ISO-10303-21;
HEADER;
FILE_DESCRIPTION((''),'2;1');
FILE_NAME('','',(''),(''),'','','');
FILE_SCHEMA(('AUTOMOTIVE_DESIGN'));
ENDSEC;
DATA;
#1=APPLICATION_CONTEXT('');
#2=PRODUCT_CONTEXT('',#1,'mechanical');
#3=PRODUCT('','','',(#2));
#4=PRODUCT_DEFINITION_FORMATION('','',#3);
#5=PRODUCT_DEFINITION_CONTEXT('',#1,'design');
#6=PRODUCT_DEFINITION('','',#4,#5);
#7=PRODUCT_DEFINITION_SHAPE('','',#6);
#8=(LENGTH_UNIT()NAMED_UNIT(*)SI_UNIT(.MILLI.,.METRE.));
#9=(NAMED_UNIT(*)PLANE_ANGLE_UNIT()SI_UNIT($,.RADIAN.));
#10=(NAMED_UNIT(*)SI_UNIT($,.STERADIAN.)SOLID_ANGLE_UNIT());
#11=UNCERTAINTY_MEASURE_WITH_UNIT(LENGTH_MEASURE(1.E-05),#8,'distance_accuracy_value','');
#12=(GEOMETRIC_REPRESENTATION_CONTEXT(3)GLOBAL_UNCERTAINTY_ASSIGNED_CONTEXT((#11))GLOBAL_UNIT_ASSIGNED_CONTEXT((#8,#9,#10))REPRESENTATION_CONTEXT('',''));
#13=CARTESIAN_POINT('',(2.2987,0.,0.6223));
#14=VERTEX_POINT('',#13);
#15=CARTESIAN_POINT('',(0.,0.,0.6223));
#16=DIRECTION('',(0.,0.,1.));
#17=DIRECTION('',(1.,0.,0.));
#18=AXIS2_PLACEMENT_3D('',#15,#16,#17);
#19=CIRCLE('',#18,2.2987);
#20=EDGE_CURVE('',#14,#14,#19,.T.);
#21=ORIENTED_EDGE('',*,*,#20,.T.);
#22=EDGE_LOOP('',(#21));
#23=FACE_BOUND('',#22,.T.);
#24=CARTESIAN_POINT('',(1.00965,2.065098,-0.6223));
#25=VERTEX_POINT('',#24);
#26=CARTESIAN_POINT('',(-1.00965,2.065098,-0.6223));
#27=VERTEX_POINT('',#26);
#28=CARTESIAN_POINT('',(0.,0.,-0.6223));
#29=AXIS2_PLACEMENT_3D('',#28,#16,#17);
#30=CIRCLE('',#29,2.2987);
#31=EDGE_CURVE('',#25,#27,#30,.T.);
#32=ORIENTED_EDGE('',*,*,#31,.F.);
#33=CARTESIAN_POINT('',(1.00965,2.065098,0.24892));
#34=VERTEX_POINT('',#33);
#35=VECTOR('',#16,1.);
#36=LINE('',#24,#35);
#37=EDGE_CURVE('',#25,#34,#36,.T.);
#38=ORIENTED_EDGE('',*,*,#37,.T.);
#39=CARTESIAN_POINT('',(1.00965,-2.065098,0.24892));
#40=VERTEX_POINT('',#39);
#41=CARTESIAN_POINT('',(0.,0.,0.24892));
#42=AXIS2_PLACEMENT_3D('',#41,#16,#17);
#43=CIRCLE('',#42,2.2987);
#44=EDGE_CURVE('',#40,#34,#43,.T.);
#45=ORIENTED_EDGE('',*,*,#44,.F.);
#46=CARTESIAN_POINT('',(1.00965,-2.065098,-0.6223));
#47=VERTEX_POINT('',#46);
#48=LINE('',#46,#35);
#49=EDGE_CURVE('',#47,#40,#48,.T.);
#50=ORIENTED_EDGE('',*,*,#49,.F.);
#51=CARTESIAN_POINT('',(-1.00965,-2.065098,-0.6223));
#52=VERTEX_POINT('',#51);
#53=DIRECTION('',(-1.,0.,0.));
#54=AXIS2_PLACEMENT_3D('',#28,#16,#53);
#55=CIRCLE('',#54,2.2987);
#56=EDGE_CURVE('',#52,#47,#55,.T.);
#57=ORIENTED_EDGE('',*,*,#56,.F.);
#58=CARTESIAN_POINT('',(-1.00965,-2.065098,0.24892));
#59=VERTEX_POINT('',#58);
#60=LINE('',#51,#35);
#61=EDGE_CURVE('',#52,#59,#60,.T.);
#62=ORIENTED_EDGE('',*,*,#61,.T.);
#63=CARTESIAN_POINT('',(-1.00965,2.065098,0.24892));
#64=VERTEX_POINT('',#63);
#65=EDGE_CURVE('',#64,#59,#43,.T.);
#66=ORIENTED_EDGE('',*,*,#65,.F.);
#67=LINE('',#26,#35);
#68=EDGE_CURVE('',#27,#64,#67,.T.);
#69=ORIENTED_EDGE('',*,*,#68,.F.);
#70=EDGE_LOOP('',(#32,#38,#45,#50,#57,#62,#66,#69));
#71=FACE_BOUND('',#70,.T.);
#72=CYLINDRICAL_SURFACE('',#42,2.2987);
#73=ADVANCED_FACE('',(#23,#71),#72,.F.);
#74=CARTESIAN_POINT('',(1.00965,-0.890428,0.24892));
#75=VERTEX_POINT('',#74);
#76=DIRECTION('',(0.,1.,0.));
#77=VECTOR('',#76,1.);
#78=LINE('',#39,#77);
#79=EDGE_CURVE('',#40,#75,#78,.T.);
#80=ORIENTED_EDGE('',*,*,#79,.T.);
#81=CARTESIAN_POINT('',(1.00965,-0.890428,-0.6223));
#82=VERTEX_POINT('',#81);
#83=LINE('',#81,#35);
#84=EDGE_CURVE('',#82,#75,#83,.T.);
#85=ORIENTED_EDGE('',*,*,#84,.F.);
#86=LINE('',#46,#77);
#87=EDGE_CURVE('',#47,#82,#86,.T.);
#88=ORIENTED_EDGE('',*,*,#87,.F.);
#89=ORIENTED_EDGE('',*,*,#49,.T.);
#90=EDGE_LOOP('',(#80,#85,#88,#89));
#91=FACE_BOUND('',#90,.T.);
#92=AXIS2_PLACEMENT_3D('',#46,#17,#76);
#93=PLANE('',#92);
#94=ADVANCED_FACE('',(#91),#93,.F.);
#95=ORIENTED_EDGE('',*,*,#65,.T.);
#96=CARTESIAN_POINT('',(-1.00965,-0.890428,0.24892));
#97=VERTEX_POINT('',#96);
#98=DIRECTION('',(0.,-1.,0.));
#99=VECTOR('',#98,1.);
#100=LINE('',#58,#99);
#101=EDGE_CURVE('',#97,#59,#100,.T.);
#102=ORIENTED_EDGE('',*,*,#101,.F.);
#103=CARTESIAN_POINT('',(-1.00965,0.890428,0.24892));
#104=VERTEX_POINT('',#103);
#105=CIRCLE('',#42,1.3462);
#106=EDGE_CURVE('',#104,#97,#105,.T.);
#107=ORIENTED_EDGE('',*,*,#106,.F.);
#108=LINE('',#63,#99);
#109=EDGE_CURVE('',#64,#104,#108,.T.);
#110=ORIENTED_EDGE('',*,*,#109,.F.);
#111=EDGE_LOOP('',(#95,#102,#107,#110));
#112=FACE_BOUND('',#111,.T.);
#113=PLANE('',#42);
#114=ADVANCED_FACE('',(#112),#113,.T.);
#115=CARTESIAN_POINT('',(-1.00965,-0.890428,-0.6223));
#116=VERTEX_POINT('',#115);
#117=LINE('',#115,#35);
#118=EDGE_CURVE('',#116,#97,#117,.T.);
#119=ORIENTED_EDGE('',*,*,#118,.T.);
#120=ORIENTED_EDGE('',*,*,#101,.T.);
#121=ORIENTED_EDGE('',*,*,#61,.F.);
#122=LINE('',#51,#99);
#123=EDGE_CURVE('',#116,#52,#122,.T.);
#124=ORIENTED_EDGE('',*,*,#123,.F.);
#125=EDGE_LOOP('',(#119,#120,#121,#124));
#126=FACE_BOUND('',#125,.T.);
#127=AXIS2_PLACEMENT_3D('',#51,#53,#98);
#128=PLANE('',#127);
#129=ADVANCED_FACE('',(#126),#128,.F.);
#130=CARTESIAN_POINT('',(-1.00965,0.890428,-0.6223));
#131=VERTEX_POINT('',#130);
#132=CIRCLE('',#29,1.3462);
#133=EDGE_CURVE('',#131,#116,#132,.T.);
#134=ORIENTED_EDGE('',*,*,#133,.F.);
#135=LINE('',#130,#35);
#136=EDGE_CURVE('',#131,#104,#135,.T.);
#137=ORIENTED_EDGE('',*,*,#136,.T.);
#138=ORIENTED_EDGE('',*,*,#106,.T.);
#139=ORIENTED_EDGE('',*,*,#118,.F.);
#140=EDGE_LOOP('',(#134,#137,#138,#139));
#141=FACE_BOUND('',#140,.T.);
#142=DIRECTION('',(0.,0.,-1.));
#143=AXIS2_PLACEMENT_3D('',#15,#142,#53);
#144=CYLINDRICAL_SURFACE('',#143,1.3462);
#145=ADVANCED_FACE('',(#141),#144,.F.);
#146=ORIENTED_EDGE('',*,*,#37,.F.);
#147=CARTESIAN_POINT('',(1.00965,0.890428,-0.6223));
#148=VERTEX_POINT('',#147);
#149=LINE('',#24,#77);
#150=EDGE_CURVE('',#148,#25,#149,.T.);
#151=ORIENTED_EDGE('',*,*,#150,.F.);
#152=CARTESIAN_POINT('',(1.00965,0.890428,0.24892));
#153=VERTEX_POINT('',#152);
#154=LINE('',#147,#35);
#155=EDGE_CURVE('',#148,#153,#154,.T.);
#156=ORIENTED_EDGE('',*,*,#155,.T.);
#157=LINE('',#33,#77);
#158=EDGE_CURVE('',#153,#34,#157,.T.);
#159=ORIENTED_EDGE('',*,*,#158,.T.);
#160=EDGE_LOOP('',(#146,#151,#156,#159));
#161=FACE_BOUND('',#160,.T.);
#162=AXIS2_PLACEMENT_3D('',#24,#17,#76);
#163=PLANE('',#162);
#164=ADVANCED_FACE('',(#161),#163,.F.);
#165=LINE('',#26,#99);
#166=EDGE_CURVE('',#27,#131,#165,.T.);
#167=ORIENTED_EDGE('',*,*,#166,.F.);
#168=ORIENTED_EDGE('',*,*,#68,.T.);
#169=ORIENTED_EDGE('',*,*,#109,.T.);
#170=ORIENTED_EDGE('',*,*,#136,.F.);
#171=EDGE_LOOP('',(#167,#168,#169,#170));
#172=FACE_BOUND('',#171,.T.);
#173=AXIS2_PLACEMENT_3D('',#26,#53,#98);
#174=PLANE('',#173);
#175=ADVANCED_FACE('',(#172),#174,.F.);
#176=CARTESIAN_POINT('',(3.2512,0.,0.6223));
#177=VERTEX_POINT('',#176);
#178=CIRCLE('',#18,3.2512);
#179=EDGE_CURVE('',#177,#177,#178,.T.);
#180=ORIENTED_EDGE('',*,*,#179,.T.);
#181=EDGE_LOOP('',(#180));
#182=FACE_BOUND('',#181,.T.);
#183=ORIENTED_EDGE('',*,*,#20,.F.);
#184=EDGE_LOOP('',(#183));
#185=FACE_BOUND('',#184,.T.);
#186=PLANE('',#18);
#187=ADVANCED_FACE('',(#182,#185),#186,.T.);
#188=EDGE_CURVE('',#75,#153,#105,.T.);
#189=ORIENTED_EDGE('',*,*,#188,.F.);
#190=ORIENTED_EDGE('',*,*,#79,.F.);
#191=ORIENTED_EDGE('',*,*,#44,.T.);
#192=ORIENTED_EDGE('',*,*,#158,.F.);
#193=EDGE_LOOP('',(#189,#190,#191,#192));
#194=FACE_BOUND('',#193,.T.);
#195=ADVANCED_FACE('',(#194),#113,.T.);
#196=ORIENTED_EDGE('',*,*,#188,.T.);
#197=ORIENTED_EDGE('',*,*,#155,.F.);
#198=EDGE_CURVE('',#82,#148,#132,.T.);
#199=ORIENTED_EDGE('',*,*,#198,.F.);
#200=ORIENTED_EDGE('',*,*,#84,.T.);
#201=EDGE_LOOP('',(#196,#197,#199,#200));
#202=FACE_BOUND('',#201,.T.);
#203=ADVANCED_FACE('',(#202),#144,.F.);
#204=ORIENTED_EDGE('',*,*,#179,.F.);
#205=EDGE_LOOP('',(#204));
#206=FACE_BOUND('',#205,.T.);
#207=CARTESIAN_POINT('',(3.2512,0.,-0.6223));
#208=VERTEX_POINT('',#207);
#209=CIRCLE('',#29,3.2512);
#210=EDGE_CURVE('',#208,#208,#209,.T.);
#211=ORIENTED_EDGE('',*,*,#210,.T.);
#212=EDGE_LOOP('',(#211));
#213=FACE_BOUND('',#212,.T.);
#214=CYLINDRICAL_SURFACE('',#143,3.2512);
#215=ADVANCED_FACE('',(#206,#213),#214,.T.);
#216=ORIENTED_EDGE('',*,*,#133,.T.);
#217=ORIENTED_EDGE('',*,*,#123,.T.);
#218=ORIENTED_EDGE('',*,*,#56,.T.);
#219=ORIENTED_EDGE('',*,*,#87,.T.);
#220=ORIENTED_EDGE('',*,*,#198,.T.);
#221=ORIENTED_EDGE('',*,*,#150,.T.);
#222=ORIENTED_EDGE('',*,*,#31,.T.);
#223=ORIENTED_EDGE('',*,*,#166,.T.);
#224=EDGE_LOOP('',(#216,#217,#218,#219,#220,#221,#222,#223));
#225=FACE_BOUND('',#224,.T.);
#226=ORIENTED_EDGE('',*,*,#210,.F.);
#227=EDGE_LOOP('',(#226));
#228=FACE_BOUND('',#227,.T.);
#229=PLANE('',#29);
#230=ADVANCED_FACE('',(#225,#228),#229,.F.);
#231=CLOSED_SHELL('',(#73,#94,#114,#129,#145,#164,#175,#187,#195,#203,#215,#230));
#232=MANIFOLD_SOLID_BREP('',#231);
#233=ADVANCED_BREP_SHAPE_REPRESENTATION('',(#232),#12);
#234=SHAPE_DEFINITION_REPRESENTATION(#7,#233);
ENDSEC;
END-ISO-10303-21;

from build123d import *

# Parameters (mm, degrees)
SKETCH1_R          = 3.2512
SKETCH1_R_2        = 1.3462
EXTRUDE1_DEPTH     = 0.6223
SKETCH2_R          = 2.2987
CUT_EXTRUDE1_DEPTH = 0.37338
CUT_EXTRUDE2_DEPTH = 1.87122
CIRPATTERN1_COUNT  = 2


with BuildPart() as part:
    # Sketch1 → Extrude1 (new body, symmetric)
    with BuildSketch(Plane.XY):
        Circle(SKETCH1_R)
        Circle(SKETCH1_R_2, mode=Mode.SUBTRACT)
    extrude(amount=EXTRUDE1_DEPTH, both=True)

    # Sketch2 → Cut-Extrude1 (cut)
    with BuildSketch(Plane.XY.offset(0.6223)):
        Circle(SKETCH2_R)
    extrude(amount=-CUT_EXTRUDE1_DEPTH, mode=Mode.SUBTRACT)

    # Sketch3 → Cut-Extrude2 (cut, through all)
    with BuildSketch(Plane.XY.offset(0.24892)):
        with BuildLine():
            Line((-1.00965, 2.065097714), (-1.00965, 0.890427604))
            ThreePointArc((-1.00965, 0.890427604), (0, 1.3462), (1.00965, 0.890427604))
            Line((1.00965, 0.890427604), (1.00965, 2.065097714))
            ThreePointArc((1.00965, 2.065097714), (0, 2.2987), (-1.00965, 2.065097714))
        make_face()
    cut_extrude2 = extrude(amount=-CUT_EXTRUDE2_DEPTH, mode=Mode.SUBTRACT)

    # CirPattern1: Cut-Extrude2 ×2 about axis
    cirpattern1_axis = Axis((0, 0, 0.6223), (0, 0, -1))
    for i in range(1, CIRPATTERN1_COUNT):
        add(cut_extrude2.rotate(cirpattern1_axis, i * 360 / CIRPATTERN1_COUNT), mode=Mode.SUBTRACT)


solid = part.part
